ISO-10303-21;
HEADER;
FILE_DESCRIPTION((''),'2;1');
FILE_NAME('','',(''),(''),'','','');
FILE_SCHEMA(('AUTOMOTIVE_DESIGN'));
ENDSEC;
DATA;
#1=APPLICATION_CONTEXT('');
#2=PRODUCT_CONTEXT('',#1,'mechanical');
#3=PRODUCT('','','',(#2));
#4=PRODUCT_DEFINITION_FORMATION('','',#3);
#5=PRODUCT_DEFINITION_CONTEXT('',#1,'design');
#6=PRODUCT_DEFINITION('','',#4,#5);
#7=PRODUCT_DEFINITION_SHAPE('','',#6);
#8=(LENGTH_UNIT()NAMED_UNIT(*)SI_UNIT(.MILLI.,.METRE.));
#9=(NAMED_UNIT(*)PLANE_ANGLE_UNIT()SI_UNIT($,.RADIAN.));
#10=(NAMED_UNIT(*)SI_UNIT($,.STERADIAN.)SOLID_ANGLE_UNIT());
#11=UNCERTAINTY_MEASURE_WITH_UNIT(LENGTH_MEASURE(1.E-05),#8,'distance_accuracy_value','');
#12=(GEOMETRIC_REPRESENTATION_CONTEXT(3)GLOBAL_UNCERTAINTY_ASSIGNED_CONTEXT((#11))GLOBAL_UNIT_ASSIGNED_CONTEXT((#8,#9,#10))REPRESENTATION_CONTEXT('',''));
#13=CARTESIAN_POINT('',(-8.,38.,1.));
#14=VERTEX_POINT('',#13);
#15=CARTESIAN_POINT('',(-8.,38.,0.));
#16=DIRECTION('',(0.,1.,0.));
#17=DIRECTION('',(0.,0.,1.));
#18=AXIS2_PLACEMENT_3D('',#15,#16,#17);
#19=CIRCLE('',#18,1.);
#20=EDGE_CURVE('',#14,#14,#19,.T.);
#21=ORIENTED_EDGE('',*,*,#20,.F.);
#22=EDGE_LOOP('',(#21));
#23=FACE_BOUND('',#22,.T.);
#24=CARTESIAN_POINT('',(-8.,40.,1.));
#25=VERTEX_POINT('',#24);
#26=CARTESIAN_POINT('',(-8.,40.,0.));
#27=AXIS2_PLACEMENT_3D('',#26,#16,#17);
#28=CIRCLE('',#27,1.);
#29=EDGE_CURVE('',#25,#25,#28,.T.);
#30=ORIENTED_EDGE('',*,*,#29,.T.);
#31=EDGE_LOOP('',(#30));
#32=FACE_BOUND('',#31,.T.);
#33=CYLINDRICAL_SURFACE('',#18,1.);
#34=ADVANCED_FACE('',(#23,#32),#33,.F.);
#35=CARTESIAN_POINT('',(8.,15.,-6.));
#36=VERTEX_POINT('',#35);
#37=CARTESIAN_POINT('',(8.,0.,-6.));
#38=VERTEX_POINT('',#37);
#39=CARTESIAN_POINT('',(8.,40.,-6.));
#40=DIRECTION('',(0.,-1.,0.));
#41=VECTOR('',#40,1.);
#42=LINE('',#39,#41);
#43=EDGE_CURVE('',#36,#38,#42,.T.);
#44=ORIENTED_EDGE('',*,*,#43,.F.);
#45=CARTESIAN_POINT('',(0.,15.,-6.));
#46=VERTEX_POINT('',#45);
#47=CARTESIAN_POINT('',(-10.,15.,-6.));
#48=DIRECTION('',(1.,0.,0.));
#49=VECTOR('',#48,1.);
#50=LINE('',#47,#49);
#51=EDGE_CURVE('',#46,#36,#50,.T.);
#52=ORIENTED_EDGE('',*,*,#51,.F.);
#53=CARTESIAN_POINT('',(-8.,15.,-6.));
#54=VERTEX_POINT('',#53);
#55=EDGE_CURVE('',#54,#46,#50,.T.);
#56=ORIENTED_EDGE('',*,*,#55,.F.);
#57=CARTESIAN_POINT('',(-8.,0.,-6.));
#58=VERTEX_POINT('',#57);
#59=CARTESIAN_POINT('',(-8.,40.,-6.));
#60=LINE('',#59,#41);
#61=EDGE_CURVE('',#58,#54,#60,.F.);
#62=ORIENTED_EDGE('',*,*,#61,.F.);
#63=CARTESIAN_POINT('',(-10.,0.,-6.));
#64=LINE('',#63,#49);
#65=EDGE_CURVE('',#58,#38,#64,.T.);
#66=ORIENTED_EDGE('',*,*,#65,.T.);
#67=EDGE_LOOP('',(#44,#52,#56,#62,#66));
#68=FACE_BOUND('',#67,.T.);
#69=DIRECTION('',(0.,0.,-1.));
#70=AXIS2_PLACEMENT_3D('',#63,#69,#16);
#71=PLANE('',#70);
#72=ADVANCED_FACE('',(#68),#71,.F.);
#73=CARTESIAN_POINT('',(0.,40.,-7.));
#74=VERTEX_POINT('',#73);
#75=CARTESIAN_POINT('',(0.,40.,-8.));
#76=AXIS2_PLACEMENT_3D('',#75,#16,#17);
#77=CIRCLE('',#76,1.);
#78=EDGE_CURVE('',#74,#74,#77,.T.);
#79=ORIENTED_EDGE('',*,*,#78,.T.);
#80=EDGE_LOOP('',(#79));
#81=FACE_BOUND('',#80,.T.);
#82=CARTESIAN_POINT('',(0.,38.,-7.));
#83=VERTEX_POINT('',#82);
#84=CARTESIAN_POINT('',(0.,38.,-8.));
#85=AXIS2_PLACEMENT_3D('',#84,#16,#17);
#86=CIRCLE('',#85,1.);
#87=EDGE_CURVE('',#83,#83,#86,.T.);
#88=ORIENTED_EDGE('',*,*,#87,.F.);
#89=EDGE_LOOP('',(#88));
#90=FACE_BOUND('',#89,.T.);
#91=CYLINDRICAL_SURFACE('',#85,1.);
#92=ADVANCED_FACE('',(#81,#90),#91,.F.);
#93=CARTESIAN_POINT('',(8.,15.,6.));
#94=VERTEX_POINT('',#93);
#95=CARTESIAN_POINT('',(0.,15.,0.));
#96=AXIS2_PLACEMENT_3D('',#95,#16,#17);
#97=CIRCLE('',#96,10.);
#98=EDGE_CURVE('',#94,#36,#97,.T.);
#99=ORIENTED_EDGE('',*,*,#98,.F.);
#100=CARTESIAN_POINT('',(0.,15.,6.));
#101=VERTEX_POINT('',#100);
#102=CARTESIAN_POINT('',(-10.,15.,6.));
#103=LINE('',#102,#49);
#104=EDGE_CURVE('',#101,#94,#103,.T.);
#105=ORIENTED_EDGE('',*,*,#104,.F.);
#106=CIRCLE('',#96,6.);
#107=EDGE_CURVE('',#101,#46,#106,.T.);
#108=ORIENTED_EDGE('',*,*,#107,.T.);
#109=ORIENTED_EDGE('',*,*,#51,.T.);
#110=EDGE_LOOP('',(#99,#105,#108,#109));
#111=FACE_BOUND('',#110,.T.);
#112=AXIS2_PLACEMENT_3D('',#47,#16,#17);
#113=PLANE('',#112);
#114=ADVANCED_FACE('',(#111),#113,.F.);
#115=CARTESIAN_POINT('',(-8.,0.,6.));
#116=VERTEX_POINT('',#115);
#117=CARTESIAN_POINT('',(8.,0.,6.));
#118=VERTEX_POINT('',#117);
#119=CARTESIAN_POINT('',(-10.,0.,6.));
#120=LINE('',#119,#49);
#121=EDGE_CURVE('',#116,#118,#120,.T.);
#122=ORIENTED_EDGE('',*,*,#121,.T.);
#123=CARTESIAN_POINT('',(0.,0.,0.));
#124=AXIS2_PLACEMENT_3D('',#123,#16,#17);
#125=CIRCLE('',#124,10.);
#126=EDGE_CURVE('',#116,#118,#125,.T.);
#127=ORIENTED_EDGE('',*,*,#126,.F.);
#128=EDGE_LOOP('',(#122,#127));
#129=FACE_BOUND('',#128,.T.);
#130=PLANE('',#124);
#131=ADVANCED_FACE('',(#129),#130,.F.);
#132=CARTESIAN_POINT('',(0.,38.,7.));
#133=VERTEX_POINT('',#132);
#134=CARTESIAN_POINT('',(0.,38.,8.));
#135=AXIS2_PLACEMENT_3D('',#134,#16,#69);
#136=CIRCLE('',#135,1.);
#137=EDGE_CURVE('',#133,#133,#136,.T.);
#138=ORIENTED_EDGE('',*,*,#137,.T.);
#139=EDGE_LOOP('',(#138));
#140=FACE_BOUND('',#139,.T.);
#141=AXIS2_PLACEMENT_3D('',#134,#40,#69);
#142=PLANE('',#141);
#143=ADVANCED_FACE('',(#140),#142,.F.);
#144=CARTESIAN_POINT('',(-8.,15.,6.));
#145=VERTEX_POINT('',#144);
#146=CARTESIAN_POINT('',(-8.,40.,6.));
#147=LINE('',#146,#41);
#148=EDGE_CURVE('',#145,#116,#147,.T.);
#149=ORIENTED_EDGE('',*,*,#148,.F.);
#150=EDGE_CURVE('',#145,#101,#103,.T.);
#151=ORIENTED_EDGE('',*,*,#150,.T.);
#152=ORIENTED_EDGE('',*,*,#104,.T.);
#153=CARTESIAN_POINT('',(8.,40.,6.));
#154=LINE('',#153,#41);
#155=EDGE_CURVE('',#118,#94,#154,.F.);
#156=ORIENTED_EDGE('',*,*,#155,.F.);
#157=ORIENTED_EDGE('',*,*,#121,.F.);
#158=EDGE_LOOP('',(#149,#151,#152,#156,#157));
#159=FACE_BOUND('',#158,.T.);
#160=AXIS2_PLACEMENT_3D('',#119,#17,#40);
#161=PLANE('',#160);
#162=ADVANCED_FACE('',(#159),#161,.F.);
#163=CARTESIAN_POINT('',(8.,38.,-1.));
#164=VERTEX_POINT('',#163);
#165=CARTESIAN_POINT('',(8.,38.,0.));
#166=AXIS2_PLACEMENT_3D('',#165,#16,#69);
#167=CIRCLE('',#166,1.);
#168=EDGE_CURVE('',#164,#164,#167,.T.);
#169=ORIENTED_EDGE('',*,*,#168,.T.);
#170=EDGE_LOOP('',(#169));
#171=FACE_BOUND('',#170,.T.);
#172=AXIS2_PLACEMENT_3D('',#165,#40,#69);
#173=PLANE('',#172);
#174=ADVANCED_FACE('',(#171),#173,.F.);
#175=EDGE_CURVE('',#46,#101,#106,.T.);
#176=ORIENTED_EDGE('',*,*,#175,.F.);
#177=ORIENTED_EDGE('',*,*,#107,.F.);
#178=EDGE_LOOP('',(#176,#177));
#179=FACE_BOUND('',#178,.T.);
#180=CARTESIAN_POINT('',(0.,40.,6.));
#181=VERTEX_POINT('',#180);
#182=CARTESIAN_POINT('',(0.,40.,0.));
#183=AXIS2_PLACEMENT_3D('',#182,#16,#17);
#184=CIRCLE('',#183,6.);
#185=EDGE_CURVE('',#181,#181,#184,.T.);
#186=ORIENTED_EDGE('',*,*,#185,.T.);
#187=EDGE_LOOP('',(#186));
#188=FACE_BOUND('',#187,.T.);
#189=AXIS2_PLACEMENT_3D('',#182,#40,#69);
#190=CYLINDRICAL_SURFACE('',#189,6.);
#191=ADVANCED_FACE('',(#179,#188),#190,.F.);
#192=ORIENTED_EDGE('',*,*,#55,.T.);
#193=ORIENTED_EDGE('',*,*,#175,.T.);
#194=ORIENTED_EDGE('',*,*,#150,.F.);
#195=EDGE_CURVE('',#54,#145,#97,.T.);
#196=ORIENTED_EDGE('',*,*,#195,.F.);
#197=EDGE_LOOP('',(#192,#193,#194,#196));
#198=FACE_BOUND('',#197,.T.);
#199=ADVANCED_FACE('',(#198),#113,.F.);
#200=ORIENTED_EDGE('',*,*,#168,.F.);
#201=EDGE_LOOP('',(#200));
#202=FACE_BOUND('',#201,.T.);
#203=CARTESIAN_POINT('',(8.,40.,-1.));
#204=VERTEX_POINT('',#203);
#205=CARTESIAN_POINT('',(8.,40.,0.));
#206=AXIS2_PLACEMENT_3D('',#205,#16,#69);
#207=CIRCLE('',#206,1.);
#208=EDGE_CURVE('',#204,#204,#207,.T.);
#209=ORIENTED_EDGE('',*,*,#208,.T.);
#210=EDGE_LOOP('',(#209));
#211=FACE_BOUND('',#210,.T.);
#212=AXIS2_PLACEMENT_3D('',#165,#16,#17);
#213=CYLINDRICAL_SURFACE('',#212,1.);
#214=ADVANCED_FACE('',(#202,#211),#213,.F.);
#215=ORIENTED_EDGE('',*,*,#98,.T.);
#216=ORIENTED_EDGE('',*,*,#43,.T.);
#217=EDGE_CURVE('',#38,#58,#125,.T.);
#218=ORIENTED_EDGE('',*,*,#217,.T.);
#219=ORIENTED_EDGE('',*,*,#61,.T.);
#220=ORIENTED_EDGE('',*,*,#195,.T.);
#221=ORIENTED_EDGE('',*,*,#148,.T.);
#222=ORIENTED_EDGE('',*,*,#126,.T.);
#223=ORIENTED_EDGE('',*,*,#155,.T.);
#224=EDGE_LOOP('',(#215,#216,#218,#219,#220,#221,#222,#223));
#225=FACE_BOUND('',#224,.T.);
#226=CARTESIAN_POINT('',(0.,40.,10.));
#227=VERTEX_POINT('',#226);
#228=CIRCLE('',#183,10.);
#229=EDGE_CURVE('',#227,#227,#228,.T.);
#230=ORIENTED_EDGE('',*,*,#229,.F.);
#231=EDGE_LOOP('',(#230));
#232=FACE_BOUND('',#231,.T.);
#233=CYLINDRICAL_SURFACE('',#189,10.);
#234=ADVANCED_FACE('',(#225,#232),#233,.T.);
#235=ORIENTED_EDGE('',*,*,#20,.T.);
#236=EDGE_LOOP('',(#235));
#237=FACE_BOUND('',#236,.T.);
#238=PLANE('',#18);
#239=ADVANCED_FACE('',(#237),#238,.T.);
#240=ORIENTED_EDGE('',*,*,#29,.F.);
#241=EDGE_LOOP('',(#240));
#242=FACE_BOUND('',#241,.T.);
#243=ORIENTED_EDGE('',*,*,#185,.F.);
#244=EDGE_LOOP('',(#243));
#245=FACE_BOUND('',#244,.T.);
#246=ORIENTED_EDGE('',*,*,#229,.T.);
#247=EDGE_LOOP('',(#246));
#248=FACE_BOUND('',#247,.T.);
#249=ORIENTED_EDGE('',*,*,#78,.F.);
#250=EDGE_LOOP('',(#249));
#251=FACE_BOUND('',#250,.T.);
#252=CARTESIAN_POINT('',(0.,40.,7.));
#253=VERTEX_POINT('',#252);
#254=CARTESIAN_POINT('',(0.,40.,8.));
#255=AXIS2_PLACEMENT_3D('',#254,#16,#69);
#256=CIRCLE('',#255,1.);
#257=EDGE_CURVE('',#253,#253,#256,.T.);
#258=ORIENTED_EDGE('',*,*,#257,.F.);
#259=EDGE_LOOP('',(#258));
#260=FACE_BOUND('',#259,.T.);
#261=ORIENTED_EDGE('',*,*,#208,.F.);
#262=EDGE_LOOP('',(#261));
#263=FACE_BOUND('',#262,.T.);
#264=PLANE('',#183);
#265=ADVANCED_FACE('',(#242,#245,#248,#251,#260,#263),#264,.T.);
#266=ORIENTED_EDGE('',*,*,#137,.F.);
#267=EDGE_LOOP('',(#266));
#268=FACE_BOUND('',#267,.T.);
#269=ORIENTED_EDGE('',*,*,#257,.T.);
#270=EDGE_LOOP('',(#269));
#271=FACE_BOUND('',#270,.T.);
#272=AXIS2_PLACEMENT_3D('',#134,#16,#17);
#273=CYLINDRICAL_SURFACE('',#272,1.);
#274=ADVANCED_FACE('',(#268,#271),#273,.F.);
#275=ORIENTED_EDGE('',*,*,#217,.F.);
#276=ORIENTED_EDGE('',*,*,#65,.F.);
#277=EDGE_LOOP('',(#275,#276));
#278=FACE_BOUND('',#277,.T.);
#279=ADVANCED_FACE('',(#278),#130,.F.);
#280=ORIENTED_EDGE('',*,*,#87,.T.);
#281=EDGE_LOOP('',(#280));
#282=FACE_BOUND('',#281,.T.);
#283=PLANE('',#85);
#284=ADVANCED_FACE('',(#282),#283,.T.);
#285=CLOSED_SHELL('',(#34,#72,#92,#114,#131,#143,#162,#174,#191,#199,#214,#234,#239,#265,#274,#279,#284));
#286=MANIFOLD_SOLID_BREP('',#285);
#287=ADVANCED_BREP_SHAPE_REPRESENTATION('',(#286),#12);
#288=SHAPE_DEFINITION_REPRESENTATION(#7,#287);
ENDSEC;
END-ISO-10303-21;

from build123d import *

# Parameters (mm, degrees)
SKETCH_1_R               = 10
SKETCH_1_R_2             = 6
EXTRUDE_1_DEPTH          = 40
SKETCH_2_R               = 1
CUT_EXTRUDE_1_DEPTH      = 2
CUT_EXTRUDE_2_DEPTH      = 43.426406871
CUT_EXTRUDE_2_DEPTH_BACK = 43.426406871
SKETCH_3_W               = 12
SKETCH_3_H               = 15


with BuildPart() as part:
    # 草图1 → 凸台-拉伸1 (new body)
    with BuildSketch(Plane(origin=(0, 0, 0), x_dir=(1, 0, 0), z_dir=(0, 1, 0))):
        with Locations(Location((0, 0, 0), (0, 0, 270))):
            Circle(SKETCH_1_R)
        with Locations(Location((0, 0, 0), (0, 0, 270))):
            Circle(SKETCH_1_R_2, mode=Mode.SUBTRACT)
    extrude(amount=EXTRUDE_1_DEPTH)

    # 草图2 → 切除-拉伸1 (cut)
    with BuildSketch(Plane(origin=(0, 40, 0), x_dir=(1, 0, 0), z_dir=(0, 1, 0))):
        with Locations(Location((-8, 0, 0), (0, 0, 270))):
            Circle(SKETCH_2_R)
        with Locations(Location((8, 0, 0), (0, 0, 90))):
            Circle(SKETCH_2_R)
        with Locations(Location((0, 8, 0), (0, 0, 270))):
            Circle(SKETCH_2_R)
        with Locations(Location((0, -8, 0), (0, 0, 90))):
            Circle(SKETCH_2_R)
    extrude(amount=-CUT_EXTRUDE_1_DEPTH, mode=Mode.SUBTRACT)

    # 草图3 → 切除-拉伸2 (cut, two sides: drawn at the far end of the back side and taken through both)
    with BuildSketch(Plane(origin=(0, 0, 0), x_dir=(0, 0, -1), z_dir=(1, 0, 0)).offset(-CUT_EXTRUDE_2_DEPTH_BACK)):
        with Locations((0, 7.5)):
            Rectangle(SKETCH_3_W, SKETCH_3_H)
    extrude(amount=CUT_EXTRUDE_2_DEPTH + CUT_EXTRUDE_2_DEPTH_BACK, mode=Mode.SUBTRACT)


solid = part.part
